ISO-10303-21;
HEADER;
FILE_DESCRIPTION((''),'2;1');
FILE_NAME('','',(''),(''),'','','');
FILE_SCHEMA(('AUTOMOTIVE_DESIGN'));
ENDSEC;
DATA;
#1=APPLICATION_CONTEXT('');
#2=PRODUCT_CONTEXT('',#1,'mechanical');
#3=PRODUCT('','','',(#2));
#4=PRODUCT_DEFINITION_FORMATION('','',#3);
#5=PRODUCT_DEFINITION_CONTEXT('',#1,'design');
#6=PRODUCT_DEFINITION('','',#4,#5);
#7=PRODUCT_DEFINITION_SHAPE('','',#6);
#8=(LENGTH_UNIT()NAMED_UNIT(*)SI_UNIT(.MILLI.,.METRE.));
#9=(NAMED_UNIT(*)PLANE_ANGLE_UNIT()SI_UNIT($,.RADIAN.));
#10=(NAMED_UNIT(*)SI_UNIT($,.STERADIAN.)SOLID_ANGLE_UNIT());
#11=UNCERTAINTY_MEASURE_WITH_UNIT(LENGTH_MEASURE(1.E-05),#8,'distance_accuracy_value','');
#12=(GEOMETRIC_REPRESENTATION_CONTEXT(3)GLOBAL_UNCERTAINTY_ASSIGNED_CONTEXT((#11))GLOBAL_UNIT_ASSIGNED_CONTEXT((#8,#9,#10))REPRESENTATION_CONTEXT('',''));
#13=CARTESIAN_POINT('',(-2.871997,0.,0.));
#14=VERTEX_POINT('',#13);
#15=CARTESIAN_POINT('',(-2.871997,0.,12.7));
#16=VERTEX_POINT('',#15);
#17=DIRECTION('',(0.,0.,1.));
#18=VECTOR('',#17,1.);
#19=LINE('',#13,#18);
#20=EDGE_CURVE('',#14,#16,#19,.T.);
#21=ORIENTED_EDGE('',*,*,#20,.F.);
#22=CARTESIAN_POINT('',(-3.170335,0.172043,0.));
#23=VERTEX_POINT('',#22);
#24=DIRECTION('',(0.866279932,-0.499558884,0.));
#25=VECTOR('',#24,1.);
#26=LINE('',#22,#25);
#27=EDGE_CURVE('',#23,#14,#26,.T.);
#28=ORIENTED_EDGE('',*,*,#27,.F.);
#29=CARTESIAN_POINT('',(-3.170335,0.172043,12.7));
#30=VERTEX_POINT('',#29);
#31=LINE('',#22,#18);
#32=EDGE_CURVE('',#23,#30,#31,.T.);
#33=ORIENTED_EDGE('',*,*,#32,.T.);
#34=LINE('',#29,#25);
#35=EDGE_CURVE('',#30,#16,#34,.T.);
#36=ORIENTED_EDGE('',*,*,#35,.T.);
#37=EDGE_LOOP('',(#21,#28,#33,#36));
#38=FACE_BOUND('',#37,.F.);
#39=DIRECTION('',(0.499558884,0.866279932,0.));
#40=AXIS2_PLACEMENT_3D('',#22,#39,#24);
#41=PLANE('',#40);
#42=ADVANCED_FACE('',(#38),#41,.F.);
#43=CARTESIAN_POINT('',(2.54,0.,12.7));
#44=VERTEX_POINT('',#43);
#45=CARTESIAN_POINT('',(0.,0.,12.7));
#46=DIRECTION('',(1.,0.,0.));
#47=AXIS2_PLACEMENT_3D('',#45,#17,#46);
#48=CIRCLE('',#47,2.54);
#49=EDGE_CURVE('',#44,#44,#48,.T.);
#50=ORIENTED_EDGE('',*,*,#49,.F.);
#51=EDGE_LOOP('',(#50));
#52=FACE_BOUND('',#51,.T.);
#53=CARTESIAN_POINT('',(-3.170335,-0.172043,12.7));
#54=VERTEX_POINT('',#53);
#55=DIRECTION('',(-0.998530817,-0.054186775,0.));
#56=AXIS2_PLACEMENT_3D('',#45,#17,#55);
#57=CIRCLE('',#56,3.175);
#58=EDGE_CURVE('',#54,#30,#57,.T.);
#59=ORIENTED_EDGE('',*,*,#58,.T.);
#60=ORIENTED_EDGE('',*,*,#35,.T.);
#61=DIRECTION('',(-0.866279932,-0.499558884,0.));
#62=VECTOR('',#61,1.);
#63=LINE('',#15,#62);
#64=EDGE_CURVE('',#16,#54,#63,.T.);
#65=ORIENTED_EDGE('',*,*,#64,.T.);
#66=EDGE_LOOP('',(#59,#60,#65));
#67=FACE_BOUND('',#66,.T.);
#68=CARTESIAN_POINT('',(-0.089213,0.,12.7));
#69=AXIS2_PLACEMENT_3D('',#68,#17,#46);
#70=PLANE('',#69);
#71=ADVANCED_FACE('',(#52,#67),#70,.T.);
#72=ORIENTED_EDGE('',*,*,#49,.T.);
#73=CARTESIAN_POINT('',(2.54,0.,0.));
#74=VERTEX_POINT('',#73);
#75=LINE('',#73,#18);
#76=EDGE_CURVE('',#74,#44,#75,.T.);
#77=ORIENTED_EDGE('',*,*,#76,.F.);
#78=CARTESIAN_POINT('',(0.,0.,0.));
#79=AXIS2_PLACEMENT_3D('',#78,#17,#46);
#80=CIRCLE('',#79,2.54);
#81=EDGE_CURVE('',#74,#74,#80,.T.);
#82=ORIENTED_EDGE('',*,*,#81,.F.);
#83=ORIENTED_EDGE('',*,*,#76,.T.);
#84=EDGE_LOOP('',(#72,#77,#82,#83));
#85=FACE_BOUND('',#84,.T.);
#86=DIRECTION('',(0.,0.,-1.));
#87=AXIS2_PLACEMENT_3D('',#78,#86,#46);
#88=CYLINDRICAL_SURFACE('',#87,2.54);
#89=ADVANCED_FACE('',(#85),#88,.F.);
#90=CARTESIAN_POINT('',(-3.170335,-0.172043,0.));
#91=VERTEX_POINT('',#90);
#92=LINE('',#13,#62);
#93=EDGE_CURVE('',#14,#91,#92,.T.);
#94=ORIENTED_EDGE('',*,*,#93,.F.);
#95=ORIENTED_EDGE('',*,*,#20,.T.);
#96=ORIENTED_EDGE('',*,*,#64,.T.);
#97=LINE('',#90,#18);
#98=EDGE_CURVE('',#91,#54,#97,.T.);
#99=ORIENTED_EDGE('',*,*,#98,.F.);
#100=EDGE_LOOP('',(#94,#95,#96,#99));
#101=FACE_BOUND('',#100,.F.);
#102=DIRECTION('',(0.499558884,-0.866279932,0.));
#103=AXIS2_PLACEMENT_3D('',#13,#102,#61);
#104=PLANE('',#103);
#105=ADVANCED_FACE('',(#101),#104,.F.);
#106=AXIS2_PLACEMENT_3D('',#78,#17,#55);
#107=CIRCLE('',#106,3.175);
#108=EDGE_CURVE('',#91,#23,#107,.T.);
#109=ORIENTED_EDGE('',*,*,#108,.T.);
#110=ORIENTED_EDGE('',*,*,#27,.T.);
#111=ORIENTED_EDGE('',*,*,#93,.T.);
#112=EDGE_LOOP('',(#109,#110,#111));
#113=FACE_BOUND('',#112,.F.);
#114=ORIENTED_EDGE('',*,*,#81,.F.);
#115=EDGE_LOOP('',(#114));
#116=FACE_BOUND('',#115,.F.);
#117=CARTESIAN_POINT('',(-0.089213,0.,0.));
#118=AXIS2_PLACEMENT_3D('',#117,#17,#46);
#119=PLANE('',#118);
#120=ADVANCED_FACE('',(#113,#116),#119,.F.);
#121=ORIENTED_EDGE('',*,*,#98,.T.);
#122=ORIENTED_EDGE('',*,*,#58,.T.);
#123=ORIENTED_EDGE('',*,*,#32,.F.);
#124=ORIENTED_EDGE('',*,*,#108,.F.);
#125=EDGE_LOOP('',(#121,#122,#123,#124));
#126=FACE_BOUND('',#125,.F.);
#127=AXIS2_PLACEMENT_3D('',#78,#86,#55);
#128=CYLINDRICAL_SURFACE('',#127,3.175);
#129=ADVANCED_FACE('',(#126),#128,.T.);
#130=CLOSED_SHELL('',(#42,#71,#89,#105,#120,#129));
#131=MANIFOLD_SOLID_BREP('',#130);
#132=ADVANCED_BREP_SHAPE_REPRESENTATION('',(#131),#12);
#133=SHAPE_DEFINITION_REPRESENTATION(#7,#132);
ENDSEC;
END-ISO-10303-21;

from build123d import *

# Parameters (mm, degrees)
F0_R     = 2.54
F1_DEPTH = 12.7


with BuildPart() as f1:
    # F0 (on Top) → F1 (new body)
    with BuildSketch(Plane.XY):
        with BuildLine():
            Line((-2.871997, 0), (-3.170335, -0.172043))
            ThreePointArc((-3.170335, -0.172043), (3.175, 0), (-3.170335, 0.172043))
            Line((-3.170335, 0.172043), (-2.871997, 0))
        make_face()
        Circle(F0_R, mode=Mode.SUBTRACT)
    extrude(amount=F1_DEPTH)


solid = f1.part
